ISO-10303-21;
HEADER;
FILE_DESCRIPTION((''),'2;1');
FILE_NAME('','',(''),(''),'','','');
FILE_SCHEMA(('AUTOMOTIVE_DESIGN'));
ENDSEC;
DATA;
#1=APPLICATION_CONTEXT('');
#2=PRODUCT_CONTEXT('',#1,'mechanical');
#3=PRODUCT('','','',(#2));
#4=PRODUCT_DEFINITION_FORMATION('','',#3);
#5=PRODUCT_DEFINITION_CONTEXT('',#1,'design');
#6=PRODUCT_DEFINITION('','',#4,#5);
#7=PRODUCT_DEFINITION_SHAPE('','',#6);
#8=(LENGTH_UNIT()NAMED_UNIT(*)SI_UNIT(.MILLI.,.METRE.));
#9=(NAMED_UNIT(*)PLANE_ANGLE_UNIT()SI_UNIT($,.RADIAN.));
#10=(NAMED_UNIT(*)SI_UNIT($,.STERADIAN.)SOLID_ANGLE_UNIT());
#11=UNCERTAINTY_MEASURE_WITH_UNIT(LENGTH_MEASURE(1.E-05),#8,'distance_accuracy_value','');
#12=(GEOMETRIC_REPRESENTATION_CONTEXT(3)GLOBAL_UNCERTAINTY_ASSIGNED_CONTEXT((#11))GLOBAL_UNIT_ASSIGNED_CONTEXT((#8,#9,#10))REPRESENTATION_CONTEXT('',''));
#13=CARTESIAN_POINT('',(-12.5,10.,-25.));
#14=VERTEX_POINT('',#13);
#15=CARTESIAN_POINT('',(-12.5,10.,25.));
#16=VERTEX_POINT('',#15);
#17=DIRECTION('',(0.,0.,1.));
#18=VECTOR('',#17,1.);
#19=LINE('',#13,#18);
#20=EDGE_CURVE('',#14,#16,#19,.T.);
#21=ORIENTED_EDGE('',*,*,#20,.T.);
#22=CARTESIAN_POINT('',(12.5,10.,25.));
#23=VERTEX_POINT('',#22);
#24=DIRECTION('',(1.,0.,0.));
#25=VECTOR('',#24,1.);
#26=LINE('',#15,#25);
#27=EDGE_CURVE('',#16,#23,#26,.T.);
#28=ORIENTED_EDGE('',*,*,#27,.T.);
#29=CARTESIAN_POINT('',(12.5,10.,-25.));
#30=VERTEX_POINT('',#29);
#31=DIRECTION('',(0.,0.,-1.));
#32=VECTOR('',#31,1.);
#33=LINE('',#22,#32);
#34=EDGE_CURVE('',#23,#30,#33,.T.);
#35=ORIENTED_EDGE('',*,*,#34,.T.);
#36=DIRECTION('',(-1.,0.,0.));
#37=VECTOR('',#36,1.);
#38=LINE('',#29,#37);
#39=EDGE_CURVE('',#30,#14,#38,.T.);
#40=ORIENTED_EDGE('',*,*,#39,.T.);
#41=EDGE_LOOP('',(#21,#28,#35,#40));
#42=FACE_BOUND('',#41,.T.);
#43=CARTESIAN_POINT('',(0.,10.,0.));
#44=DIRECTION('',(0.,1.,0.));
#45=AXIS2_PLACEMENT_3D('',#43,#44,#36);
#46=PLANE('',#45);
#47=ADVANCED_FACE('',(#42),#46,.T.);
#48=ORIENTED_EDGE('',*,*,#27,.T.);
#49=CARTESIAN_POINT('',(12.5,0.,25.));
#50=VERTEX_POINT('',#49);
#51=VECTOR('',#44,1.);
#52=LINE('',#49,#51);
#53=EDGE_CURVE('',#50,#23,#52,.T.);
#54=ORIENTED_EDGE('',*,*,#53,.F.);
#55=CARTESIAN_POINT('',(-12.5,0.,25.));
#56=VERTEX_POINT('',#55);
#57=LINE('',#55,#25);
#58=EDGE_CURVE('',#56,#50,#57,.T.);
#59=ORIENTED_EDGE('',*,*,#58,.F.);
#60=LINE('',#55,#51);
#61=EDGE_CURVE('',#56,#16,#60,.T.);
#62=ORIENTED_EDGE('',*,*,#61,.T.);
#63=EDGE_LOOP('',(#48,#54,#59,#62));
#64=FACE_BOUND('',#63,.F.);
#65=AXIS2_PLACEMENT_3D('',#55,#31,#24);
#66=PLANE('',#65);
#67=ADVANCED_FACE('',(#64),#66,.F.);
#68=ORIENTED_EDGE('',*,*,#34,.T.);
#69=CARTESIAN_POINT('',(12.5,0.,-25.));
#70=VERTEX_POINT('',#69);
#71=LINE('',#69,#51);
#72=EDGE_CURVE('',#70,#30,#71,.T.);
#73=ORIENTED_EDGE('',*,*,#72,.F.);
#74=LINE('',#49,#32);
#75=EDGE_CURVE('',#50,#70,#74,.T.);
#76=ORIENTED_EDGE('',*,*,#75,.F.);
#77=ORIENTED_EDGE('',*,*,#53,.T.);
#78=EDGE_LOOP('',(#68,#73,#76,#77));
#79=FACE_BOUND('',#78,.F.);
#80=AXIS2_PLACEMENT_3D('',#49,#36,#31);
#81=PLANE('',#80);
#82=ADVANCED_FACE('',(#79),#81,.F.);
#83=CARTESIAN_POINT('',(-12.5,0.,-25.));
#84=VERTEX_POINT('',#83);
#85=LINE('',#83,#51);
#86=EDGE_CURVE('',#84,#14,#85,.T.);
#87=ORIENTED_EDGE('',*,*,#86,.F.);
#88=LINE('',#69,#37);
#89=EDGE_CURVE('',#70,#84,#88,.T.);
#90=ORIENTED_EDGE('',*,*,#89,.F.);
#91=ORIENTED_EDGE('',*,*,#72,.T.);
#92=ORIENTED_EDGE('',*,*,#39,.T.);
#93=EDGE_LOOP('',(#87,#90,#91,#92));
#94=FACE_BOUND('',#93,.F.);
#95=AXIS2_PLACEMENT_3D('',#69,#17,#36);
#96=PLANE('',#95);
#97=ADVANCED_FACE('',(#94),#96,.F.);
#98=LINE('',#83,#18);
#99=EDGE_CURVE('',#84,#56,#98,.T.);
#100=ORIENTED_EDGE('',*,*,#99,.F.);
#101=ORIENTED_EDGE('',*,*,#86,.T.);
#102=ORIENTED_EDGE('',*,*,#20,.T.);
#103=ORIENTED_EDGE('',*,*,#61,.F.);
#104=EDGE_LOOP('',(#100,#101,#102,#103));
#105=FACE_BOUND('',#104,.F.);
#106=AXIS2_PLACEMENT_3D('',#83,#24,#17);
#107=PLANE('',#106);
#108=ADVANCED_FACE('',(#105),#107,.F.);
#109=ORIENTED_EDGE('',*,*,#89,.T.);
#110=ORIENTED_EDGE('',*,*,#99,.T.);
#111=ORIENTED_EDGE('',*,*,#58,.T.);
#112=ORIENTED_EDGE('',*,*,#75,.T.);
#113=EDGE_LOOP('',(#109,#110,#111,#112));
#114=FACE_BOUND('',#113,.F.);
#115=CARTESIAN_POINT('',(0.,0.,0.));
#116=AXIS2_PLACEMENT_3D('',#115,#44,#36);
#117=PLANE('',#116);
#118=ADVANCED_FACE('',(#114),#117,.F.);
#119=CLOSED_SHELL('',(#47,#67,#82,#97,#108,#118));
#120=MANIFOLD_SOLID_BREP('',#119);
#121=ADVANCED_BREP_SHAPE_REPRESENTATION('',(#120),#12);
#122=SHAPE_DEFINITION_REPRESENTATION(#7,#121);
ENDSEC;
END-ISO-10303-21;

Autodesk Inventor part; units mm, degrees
ref_plane "YZ Plane" through (0, 0, 0) normal (1, 0, 0) x (0, 1, 0)
ref_plane "XZ Plane" through (0, 0, 0) normal (0, 1, 0) x (-1, 0, 0)
ref_plane "XY Plane" through (0, 0, 0) normal (0, 0, 1) x (1, 0, 0)
sketch "Sketch1" plane through (0, 0, 0) normal (0, 1, 0) x (-1, 0, 0)
  line L0 (-12.5, -25) -> (12.5, -25)
  line L1 (12.5, -25) -> (12.5, 25)
  line L2 (12.5, 25) -> (-12.5, 25)
  line L3 (-12.5, 25) -> (-12.5, -25)
  line L4 (-12.5, -25) -> (12.5, 25) construction
  line L5 (12.5, -25) -> (-12.5, 25) construction
  point P0 (0, 0)
  dimension "Width" = 25
  dimension "Length" = 50
extrude "Extrusion1" add sketch "Sketch1" along normal blind 10
